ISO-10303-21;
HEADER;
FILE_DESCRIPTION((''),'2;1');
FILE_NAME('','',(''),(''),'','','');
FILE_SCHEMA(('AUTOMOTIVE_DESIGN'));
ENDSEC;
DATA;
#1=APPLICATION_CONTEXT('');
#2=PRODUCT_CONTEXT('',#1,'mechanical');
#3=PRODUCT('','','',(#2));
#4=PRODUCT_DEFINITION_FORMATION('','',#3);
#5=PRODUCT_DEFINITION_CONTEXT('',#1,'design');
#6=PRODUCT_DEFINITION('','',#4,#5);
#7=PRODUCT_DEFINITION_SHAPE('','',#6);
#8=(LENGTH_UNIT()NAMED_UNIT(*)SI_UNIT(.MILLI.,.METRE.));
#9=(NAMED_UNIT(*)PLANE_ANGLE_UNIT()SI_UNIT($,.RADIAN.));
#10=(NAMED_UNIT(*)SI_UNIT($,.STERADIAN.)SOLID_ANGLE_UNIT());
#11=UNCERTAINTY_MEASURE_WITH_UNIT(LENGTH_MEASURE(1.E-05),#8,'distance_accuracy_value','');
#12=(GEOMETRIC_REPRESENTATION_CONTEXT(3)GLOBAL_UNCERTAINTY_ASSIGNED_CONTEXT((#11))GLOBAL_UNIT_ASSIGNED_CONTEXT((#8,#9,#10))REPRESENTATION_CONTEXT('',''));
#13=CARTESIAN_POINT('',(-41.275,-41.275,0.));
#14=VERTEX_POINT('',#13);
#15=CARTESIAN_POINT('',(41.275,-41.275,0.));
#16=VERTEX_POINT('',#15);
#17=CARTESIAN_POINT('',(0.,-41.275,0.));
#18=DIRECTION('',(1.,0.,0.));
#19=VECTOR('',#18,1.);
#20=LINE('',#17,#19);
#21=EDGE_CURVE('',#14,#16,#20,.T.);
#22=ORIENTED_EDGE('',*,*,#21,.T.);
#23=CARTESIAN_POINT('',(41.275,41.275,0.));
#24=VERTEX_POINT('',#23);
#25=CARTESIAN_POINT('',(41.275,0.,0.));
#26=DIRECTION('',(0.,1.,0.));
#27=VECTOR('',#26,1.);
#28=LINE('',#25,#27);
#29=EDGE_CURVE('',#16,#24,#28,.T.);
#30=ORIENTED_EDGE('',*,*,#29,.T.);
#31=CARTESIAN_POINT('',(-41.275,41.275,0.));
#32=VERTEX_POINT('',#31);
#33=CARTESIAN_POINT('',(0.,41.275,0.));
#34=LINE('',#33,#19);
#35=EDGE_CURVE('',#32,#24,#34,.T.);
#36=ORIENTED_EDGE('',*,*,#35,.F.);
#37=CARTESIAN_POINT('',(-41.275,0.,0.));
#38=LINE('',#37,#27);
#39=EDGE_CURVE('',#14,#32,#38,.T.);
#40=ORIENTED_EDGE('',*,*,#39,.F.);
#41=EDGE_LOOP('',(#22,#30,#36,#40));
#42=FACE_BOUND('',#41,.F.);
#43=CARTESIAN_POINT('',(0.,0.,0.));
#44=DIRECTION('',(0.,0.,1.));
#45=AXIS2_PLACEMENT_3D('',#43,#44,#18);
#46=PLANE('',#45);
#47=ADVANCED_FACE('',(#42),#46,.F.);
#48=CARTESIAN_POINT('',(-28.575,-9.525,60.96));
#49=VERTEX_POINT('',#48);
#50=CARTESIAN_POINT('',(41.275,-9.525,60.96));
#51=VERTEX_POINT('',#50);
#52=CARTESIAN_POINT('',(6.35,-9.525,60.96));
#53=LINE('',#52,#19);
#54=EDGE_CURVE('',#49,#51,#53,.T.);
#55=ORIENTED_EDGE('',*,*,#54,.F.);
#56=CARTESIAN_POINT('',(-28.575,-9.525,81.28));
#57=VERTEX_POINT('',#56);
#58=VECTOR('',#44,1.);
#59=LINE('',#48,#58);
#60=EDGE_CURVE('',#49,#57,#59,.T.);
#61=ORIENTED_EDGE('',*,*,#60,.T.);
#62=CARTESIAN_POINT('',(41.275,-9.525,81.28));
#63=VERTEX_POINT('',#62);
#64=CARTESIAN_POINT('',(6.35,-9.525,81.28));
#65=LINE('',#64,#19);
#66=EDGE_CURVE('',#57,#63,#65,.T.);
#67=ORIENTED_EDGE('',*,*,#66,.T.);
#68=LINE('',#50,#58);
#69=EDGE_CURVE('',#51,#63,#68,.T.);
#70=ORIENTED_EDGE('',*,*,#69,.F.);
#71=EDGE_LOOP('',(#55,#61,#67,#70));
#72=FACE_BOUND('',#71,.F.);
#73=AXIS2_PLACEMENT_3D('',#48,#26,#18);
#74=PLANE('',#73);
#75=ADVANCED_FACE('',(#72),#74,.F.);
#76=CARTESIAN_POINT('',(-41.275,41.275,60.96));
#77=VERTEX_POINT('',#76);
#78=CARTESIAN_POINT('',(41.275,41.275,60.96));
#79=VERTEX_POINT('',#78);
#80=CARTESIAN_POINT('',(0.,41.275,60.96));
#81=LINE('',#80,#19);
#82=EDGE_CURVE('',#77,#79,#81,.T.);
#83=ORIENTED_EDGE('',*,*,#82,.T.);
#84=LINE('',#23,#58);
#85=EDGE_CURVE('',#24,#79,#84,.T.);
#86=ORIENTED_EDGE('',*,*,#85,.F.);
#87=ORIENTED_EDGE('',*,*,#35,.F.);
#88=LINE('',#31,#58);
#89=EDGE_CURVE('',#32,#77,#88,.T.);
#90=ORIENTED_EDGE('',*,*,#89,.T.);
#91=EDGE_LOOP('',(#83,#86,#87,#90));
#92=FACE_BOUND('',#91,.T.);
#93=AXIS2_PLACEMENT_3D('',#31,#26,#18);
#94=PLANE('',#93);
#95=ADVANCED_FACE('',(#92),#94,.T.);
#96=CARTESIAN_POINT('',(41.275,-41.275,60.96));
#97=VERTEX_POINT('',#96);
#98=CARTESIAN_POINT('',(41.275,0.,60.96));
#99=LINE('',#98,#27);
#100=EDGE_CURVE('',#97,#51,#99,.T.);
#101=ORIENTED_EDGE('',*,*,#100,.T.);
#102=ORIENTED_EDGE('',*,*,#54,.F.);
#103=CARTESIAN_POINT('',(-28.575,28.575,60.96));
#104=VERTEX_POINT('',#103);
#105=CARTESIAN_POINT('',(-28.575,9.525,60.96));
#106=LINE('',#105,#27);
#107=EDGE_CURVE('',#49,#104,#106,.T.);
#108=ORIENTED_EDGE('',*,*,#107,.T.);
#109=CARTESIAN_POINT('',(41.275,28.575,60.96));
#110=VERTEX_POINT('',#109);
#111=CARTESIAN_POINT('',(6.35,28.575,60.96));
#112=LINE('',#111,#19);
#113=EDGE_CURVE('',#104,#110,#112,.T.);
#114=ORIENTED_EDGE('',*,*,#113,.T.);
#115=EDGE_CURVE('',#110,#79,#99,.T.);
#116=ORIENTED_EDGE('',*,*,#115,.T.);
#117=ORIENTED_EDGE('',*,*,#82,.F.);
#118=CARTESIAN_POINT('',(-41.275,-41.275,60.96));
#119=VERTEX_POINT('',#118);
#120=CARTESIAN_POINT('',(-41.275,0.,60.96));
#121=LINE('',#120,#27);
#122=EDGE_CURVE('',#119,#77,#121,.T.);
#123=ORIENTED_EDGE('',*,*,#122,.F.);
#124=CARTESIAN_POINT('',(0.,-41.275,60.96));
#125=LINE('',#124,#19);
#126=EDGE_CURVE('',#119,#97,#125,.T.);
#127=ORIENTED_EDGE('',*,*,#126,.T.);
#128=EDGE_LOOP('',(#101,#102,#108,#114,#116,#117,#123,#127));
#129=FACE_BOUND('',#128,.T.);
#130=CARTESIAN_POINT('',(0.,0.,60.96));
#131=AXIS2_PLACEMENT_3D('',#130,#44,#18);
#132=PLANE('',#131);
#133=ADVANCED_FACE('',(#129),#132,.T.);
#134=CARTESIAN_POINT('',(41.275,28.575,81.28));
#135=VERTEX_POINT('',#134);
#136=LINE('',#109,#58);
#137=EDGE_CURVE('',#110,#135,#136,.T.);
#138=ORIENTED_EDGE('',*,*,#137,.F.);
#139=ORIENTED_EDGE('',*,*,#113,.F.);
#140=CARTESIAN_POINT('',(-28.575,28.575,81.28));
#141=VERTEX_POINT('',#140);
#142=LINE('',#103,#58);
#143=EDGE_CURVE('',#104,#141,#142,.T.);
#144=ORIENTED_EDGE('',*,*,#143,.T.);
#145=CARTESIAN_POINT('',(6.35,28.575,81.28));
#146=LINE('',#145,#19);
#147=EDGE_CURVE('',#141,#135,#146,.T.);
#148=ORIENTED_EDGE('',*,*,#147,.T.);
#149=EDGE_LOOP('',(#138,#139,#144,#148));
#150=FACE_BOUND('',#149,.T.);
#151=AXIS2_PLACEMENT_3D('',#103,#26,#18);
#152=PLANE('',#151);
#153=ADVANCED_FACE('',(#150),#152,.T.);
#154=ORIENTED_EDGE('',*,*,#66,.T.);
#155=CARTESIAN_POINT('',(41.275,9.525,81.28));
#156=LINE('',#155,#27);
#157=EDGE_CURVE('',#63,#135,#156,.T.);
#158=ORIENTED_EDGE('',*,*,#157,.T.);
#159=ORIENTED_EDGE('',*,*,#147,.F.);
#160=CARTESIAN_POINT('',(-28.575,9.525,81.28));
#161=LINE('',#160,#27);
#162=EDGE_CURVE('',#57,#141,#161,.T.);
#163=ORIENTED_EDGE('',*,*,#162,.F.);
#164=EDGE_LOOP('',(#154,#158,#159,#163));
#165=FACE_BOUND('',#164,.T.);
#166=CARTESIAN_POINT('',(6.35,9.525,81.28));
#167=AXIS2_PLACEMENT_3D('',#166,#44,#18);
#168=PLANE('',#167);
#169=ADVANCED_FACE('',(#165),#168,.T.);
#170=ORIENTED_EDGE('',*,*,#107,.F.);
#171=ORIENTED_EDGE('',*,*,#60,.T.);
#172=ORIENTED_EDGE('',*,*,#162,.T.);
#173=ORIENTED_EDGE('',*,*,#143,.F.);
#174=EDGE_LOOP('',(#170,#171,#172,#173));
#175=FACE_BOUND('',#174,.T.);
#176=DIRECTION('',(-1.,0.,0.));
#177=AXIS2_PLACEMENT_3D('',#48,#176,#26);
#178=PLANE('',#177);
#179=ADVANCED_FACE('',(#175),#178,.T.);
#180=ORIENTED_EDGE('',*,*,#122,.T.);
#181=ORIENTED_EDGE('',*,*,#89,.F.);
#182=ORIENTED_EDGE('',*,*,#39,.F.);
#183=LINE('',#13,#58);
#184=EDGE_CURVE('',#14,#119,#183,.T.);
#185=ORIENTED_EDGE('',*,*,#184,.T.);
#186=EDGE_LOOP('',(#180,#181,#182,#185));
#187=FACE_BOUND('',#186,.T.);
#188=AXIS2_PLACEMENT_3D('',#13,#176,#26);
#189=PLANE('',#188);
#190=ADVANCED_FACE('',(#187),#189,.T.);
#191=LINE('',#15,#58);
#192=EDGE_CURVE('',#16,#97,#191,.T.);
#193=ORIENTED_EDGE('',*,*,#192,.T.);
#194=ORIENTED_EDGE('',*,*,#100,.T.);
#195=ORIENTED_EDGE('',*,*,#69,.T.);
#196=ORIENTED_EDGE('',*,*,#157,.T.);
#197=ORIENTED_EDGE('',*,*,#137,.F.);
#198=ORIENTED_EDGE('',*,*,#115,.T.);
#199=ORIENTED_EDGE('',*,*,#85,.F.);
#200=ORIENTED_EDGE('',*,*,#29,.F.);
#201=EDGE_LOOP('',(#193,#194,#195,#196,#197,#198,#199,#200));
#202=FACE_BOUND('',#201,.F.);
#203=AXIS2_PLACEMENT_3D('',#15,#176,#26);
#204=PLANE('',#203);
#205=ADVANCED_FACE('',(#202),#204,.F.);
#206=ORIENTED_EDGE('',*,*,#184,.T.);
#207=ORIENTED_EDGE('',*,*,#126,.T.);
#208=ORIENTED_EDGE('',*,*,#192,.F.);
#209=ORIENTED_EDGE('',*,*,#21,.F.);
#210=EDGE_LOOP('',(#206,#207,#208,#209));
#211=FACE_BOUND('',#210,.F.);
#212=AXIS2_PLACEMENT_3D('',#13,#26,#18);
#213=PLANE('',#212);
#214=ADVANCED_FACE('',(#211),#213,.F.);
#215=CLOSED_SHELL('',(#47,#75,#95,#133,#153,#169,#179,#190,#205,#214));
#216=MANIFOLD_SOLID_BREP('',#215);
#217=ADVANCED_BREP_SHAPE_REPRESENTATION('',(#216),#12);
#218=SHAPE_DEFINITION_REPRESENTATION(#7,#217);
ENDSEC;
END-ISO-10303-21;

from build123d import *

# Parameters (mm, degrees)
F0_W     = 82.55
F0_H     = 82.55
F1_DEPTH = 60.96
F3_W     = 69.85
F3_H     = 38.1
F4_DEPTH = 20.32


with BuildPart() as f1:
    # F0 (on Top) → F1 (new body)
    with BuildSketch(Plane.XY):
        Rectangle(F0_W, F0_H)
    extrude(amount=F1_DEPTH)

    # F3 (on offset) → F4 (join)
    with BuildSketch(Plane.XY.offset(60.96)):
        with Locations((6.35, 9.525)):
            Rectangle(F3_W, F3_H)
    extrude(amount=F4_DEPTH)


solid = f1.part
